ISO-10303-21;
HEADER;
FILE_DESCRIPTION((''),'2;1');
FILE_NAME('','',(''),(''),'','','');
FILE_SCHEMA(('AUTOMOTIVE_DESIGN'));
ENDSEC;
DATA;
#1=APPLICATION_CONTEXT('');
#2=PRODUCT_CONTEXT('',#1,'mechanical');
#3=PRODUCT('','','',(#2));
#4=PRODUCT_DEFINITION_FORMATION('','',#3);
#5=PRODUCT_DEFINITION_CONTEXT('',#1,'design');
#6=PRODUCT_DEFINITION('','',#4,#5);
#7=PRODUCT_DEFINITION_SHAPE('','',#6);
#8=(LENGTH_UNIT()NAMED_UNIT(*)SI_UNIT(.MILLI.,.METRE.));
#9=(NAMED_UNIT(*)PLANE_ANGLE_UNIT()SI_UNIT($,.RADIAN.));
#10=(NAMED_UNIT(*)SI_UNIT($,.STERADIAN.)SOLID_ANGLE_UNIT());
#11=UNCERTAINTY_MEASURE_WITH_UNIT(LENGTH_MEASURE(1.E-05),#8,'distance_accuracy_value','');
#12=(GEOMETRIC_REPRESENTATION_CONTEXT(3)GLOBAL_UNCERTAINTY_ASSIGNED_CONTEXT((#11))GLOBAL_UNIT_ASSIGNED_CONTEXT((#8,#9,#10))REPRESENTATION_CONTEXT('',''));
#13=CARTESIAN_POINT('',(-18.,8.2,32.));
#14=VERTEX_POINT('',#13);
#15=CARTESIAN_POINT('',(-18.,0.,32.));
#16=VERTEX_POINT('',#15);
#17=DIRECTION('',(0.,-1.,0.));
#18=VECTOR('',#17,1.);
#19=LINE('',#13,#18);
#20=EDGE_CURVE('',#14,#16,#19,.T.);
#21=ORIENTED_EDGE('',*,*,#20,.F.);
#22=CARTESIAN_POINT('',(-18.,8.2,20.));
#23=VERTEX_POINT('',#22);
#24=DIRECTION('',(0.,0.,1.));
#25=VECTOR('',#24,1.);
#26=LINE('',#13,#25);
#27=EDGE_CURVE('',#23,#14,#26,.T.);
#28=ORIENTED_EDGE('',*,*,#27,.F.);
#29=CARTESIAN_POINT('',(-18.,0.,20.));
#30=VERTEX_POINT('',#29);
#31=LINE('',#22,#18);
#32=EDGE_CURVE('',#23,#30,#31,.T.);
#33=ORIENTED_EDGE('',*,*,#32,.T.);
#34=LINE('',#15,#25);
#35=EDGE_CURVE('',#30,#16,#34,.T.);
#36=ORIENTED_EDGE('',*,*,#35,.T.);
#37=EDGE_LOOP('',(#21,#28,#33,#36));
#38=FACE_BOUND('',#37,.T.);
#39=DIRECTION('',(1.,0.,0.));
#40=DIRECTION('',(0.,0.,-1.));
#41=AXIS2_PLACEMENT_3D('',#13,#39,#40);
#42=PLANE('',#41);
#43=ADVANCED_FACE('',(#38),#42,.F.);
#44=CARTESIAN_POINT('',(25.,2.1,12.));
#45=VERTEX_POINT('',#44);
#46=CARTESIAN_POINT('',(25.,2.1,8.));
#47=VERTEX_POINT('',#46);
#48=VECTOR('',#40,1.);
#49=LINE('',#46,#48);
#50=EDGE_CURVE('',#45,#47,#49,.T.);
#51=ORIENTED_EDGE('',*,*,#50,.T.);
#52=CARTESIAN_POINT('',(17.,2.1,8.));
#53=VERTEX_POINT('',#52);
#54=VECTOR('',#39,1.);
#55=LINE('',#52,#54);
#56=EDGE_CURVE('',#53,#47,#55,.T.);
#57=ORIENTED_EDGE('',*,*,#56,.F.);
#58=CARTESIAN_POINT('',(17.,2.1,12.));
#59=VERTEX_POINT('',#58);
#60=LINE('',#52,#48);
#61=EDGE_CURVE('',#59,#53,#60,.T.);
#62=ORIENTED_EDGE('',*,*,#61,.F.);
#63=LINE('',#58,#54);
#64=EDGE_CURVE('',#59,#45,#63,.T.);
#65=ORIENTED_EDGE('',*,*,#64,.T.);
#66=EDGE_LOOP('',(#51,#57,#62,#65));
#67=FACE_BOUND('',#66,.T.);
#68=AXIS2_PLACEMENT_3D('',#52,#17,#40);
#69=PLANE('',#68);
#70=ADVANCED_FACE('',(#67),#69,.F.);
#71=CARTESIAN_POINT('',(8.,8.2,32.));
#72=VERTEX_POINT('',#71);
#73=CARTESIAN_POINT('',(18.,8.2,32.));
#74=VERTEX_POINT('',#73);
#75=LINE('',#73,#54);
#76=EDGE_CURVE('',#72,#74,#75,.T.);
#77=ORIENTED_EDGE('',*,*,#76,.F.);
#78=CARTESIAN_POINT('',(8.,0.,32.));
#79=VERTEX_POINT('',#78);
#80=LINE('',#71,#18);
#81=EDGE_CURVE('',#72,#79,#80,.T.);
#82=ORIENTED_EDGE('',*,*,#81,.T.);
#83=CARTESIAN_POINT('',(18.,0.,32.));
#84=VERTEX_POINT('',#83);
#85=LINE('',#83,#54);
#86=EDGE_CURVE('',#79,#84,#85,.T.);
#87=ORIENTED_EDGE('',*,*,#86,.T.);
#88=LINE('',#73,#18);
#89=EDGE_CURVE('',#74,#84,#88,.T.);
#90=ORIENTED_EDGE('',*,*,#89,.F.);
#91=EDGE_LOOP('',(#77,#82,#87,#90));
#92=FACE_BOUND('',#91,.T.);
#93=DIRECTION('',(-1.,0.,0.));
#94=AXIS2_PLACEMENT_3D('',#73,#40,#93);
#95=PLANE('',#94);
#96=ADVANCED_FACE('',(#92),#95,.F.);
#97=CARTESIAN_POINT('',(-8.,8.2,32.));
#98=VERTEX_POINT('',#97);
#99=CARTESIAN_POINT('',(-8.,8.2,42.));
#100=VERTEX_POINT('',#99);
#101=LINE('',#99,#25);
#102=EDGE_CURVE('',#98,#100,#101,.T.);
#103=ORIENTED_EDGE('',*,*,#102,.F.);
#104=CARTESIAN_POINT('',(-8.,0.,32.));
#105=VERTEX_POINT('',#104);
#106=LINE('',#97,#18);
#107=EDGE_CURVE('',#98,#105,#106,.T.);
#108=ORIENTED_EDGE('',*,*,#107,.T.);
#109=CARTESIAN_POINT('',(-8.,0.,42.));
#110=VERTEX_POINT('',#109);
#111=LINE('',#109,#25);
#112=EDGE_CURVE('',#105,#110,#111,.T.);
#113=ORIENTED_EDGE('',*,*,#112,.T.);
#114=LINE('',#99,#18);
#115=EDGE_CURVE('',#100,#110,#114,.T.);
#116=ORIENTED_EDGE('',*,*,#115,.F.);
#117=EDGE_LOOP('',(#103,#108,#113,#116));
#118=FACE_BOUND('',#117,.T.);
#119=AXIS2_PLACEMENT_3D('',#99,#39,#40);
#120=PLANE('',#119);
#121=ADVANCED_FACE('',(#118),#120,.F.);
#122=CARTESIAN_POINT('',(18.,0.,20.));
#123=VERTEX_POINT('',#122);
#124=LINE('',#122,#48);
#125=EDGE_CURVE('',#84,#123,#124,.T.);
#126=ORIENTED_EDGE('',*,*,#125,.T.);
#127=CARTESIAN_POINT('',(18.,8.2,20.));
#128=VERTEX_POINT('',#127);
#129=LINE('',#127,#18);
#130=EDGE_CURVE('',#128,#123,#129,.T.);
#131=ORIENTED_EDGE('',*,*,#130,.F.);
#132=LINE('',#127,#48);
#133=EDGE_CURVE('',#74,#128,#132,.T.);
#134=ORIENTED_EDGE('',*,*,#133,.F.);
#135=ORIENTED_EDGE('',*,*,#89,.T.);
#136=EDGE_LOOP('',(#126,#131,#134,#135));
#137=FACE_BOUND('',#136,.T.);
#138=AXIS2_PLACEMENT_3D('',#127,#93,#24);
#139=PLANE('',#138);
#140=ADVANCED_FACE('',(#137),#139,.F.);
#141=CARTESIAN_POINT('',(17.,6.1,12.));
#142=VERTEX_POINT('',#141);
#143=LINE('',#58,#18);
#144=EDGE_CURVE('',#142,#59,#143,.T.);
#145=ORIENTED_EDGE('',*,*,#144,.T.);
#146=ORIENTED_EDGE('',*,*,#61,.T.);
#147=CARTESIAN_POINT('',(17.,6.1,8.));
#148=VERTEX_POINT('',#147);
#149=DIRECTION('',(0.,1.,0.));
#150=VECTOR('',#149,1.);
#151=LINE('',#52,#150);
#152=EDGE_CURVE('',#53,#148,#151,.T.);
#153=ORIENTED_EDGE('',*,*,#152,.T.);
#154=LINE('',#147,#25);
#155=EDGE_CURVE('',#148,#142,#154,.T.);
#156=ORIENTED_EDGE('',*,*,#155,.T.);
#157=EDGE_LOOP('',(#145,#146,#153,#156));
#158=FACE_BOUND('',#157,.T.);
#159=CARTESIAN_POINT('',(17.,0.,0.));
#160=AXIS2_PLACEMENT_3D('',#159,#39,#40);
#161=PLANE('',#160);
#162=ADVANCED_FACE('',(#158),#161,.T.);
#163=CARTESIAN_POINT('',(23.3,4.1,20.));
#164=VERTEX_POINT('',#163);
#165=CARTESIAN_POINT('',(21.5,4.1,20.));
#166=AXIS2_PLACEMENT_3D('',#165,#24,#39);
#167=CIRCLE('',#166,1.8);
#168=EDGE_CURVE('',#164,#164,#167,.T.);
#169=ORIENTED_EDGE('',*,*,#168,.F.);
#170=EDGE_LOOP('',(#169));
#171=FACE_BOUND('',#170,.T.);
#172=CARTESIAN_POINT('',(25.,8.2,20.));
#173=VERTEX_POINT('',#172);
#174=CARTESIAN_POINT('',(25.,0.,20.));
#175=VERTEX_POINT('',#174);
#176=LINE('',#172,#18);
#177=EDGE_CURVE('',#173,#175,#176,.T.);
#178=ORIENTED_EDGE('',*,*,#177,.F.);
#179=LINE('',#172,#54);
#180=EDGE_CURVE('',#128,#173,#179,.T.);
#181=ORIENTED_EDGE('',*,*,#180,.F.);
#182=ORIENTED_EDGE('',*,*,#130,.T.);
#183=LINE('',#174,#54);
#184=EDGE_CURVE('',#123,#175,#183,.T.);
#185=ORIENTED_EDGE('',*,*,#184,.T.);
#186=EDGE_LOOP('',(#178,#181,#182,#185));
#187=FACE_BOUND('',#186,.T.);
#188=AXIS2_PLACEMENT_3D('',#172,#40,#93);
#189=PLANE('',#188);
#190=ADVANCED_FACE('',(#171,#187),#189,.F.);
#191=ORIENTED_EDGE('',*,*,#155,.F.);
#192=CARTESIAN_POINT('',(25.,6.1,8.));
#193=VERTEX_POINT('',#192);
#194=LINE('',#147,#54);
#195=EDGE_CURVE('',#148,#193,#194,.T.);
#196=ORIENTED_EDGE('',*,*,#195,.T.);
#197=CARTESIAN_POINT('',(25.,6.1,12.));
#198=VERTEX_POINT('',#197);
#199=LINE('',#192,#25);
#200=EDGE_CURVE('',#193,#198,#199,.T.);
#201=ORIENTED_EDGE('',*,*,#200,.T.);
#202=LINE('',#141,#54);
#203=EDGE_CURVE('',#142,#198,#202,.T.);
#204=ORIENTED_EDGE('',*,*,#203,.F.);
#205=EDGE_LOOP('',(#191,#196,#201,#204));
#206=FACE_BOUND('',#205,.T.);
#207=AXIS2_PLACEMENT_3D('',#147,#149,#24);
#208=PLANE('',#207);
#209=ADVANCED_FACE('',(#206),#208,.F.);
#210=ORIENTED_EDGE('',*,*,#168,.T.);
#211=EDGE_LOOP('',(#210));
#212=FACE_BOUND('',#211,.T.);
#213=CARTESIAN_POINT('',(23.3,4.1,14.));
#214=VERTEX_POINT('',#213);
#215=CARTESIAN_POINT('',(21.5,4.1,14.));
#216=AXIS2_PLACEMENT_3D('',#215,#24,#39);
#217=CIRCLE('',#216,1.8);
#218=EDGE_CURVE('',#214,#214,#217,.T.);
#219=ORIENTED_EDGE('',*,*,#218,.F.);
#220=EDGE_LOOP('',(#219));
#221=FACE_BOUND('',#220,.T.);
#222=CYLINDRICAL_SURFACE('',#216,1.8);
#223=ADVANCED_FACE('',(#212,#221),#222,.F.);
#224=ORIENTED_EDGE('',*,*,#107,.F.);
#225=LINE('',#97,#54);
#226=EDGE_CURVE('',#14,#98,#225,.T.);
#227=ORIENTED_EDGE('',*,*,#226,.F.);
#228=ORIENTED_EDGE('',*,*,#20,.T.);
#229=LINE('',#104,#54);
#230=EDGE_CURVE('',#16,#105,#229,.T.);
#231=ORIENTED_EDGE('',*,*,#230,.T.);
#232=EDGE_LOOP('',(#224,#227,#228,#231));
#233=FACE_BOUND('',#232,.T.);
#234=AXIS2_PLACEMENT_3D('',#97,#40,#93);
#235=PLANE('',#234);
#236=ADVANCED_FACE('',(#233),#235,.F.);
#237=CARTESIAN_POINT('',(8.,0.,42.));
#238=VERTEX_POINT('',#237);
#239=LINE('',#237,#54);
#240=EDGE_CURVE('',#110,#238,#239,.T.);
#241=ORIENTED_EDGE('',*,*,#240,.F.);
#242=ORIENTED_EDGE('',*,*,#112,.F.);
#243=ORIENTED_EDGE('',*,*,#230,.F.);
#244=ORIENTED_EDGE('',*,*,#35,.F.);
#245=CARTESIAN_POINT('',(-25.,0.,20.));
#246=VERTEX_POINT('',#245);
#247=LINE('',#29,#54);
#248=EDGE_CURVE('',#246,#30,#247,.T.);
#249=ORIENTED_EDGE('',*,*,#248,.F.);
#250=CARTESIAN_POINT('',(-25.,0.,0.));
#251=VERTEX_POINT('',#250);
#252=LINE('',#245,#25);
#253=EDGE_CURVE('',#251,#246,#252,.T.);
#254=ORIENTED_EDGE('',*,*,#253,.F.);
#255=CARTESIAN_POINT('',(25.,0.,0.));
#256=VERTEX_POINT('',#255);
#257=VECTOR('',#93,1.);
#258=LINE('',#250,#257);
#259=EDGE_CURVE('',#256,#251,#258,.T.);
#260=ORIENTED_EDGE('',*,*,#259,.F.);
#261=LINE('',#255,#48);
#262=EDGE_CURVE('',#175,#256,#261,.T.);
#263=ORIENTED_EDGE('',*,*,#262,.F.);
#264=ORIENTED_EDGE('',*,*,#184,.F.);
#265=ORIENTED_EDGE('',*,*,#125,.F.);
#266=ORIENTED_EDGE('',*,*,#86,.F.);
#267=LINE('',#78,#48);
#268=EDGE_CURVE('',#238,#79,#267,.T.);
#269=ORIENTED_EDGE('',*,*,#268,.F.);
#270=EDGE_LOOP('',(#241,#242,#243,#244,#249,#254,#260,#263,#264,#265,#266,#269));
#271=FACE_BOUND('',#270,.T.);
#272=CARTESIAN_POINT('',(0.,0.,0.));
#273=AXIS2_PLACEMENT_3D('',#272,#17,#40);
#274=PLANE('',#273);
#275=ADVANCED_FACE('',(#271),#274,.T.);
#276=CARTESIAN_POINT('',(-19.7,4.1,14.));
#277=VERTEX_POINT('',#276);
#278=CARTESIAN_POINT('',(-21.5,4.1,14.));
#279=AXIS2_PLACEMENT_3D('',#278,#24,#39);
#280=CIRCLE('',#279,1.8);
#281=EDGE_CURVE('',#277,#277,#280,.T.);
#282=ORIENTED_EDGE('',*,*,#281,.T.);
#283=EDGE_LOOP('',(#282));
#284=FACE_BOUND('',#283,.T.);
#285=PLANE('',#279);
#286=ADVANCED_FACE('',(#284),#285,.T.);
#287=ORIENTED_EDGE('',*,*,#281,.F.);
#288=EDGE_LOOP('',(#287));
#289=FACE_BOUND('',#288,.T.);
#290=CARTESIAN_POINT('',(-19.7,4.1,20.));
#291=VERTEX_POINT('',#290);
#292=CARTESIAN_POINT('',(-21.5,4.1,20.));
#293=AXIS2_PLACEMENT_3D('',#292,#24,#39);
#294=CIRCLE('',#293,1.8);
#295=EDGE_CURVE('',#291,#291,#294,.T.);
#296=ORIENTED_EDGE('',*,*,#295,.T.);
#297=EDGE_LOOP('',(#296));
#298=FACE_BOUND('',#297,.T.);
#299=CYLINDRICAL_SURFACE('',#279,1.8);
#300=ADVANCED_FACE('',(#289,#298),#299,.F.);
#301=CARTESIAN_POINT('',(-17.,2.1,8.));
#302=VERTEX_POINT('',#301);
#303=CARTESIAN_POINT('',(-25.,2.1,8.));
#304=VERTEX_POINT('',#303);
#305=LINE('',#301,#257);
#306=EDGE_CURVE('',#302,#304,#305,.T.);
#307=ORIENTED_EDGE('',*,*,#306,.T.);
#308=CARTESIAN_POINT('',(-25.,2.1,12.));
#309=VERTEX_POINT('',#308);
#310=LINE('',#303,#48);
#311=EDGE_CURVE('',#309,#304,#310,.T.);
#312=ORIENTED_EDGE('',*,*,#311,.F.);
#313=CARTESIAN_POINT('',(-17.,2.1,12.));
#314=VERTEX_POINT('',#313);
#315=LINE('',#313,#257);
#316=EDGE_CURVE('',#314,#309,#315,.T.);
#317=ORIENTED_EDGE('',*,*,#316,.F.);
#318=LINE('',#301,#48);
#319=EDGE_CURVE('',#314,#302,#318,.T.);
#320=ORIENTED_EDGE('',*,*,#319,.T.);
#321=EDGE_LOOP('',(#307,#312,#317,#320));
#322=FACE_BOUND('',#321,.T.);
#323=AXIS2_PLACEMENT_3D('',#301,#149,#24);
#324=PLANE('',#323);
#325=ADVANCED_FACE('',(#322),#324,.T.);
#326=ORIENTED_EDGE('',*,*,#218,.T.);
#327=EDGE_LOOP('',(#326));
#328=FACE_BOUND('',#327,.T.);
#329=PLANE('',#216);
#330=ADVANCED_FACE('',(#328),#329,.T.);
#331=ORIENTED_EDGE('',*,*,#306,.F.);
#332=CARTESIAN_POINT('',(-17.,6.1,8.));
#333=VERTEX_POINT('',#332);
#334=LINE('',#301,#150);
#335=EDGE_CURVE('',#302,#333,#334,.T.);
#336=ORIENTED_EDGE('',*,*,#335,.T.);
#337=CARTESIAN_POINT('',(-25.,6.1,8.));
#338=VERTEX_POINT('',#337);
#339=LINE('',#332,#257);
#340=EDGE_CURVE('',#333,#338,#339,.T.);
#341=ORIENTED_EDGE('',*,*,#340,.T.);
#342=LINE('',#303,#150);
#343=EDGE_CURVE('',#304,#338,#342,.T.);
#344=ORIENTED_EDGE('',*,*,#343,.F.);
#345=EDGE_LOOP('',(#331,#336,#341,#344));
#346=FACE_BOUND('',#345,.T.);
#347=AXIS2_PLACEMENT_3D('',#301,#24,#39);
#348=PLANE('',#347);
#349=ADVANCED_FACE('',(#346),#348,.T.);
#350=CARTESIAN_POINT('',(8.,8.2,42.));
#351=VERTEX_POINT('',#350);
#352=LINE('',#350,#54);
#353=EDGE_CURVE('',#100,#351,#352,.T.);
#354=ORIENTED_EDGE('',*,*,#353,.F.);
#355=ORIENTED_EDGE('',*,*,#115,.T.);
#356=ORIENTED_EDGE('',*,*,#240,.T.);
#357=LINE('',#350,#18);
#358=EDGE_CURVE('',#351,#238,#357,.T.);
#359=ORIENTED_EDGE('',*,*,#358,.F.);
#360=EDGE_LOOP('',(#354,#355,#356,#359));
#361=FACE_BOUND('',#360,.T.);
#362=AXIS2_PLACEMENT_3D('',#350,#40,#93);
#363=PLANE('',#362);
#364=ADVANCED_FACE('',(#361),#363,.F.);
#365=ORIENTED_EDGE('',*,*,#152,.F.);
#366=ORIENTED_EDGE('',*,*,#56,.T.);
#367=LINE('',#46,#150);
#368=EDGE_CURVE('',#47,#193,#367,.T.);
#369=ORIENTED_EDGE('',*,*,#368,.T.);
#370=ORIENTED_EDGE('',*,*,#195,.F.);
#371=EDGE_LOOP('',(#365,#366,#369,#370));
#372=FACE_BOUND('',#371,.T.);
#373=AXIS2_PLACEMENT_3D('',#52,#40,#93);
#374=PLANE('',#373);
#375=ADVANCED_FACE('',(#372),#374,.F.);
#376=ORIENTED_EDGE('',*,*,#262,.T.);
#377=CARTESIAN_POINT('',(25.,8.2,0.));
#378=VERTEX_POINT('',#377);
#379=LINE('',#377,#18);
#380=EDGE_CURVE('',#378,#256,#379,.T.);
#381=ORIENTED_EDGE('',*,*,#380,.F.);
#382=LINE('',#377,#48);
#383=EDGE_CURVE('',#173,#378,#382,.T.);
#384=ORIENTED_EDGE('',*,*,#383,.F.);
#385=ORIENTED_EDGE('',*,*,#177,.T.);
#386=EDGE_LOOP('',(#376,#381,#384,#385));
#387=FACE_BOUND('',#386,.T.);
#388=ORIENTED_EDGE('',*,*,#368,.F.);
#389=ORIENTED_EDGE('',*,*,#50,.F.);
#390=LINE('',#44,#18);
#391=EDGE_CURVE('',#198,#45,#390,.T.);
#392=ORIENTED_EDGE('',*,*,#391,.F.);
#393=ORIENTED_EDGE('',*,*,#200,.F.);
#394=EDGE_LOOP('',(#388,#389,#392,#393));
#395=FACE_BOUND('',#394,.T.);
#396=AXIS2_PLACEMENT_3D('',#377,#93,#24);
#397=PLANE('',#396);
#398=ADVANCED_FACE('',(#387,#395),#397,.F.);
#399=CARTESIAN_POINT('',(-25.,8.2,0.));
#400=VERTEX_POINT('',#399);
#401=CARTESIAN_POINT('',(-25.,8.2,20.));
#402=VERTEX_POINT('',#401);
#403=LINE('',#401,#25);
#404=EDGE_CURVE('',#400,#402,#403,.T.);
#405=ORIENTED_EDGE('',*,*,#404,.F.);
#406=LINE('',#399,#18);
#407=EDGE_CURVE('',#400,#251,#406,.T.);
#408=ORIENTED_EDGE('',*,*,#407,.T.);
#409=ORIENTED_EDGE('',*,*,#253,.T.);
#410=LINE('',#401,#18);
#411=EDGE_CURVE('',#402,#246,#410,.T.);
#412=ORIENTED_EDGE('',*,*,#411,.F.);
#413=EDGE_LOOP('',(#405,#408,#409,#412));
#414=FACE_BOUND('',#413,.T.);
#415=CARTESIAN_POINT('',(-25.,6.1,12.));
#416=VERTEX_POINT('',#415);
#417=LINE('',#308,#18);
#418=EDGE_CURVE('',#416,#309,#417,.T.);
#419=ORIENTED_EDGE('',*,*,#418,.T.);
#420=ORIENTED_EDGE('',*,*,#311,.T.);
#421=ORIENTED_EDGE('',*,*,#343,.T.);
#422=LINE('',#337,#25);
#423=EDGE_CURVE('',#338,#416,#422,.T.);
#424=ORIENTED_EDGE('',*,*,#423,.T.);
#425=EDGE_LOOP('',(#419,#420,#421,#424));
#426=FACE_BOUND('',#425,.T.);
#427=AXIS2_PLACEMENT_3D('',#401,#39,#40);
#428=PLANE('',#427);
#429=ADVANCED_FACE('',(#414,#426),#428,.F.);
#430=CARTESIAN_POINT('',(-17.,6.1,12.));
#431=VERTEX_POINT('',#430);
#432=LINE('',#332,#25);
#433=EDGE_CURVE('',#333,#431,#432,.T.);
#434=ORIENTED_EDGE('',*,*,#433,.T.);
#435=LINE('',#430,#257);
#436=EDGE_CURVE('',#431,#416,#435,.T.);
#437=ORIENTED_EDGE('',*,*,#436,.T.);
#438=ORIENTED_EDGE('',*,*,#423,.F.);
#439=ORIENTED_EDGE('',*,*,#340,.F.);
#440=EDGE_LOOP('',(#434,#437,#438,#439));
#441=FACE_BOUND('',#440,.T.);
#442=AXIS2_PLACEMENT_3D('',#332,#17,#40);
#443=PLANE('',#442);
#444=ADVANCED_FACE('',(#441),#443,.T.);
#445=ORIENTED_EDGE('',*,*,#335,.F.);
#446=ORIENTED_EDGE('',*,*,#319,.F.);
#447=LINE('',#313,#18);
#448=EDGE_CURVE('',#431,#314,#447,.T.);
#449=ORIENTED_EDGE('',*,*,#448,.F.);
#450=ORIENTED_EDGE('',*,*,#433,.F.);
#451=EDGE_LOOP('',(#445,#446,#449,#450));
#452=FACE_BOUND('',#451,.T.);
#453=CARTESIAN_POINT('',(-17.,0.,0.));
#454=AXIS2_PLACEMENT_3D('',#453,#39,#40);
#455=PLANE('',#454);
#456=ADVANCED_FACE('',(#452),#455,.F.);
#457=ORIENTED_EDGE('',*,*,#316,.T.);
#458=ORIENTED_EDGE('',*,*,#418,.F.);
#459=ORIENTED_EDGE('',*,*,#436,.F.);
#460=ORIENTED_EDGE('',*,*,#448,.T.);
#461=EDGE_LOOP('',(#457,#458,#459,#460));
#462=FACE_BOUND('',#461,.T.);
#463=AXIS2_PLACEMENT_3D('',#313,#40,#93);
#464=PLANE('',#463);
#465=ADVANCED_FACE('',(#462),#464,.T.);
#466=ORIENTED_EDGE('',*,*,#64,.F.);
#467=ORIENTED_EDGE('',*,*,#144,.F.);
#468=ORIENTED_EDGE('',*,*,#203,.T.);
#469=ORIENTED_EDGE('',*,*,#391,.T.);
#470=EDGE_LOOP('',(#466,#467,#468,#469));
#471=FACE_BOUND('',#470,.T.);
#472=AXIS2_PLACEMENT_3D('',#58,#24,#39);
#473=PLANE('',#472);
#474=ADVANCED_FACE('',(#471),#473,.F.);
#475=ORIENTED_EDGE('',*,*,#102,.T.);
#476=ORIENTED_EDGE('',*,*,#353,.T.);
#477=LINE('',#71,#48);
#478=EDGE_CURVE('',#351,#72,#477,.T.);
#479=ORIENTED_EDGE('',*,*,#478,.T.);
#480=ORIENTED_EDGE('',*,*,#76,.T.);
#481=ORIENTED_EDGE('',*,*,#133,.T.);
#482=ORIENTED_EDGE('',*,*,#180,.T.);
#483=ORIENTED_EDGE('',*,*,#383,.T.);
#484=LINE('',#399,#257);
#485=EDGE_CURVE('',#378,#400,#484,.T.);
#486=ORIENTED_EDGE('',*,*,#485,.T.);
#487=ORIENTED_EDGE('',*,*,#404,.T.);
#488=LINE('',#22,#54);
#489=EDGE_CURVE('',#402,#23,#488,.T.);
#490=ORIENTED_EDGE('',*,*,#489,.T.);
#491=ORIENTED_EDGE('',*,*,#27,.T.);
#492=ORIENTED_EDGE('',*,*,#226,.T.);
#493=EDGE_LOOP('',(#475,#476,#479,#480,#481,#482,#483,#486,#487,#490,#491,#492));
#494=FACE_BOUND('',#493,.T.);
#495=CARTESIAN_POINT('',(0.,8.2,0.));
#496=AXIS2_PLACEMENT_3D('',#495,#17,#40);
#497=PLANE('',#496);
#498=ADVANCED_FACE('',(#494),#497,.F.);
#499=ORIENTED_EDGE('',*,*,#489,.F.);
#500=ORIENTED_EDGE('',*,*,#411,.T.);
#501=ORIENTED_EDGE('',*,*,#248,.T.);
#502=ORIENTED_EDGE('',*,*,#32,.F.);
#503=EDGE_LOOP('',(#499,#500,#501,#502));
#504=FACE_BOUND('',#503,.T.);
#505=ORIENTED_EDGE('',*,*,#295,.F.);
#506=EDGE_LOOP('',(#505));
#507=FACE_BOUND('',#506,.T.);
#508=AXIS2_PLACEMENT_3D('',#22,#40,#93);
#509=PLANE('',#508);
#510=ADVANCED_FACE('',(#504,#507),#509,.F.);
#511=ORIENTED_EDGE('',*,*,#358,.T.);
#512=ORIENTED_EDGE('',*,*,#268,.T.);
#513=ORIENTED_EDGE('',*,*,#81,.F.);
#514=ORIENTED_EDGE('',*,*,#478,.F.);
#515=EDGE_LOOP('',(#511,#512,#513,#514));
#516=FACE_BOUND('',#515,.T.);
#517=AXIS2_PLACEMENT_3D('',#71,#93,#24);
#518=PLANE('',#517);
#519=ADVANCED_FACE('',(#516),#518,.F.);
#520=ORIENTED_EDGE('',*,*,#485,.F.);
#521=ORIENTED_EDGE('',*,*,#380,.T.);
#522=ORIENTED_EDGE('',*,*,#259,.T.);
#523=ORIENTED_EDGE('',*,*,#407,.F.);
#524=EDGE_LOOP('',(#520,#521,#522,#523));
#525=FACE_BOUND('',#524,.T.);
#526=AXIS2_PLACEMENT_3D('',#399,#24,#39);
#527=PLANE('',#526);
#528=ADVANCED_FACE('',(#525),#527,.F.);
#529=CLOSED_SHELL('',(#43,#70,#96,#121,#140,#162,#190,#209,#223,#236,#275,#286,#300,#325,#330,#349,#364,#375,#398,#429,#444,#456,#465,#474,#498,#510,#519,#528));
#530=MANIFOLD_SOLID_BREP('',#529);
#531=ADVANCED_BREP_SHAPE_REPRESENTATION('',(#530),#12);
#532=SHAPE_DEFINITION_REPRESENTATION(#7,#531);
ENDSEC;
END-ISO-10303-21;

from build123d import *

# Parameters (mm, degrees)
BODY_DEPTH   = 8.2
SKETCH2_R    = 1.8
SCREWS_DEPTH = 6
SKETCH3_W    = 4
SKETCH3_H    = 4
WIRE_R_DEPTH = 8
SKETCH4_W    = 4
SKETCH4_H    = 4
WIRE_L_DEPTH = 8


with BuildPart() as part:
    # Sketch1 → Body (new body)
    with BuildSketch(Plane(origin=(0, 0, 0), x_dir=(1, 0, 0), z_dir=(0, 1, 0))):
        Polygon((-25, 0), (25, 0), (25, -20), (18, -20), (18, -32), (8, -32), (8, -42), (-8, -42), (-8, -32), (-18, -32), (-18, -20), (-25, -20), align=None)
    extrude(amount=BODY_DEPTH)

    # Sketch2 → Screws (cut)
    with BuildSketch(Plane.XY.offset(20)):
        with Locations((-21.5, 4.1)):
            Circle(SKETCH2_R)
        with Locations((21.5, 4.1)):
            Circle(SKETCH2_R)
    extrude(amount=-SCREWS_DEPTH, mode=Mode.SUBTRACT)

    # Sketch3 → Wire_R (cut)
    with BuildSketch(Plane(origin=(25, 0, 0), x_dir=(0, 0, -1), z_dir=(1, 0, 0))):
        with Locations((-10, 4.1)):
            Rectangle(SKETCH3_W, SKETCH3_H)
    extrude(amount=-WIRE_R_DEPTH, mode=Mode.SUBTRACT)

    # Sketch4 → Wire_L (cut)
    with BuildSketch(Plane(origin=(-25, 0, 0), x_dir=(0, 0, -1), z_dir=(1, 0, 0))):
        with Locations((-10, 4.1)):
            Rectangle(SKETCH4_W, SKETCH4_H)
    extrude(amount=WIRE_L_DEPTH, mode=Mode.SUBTRACT)


solid = part.part
